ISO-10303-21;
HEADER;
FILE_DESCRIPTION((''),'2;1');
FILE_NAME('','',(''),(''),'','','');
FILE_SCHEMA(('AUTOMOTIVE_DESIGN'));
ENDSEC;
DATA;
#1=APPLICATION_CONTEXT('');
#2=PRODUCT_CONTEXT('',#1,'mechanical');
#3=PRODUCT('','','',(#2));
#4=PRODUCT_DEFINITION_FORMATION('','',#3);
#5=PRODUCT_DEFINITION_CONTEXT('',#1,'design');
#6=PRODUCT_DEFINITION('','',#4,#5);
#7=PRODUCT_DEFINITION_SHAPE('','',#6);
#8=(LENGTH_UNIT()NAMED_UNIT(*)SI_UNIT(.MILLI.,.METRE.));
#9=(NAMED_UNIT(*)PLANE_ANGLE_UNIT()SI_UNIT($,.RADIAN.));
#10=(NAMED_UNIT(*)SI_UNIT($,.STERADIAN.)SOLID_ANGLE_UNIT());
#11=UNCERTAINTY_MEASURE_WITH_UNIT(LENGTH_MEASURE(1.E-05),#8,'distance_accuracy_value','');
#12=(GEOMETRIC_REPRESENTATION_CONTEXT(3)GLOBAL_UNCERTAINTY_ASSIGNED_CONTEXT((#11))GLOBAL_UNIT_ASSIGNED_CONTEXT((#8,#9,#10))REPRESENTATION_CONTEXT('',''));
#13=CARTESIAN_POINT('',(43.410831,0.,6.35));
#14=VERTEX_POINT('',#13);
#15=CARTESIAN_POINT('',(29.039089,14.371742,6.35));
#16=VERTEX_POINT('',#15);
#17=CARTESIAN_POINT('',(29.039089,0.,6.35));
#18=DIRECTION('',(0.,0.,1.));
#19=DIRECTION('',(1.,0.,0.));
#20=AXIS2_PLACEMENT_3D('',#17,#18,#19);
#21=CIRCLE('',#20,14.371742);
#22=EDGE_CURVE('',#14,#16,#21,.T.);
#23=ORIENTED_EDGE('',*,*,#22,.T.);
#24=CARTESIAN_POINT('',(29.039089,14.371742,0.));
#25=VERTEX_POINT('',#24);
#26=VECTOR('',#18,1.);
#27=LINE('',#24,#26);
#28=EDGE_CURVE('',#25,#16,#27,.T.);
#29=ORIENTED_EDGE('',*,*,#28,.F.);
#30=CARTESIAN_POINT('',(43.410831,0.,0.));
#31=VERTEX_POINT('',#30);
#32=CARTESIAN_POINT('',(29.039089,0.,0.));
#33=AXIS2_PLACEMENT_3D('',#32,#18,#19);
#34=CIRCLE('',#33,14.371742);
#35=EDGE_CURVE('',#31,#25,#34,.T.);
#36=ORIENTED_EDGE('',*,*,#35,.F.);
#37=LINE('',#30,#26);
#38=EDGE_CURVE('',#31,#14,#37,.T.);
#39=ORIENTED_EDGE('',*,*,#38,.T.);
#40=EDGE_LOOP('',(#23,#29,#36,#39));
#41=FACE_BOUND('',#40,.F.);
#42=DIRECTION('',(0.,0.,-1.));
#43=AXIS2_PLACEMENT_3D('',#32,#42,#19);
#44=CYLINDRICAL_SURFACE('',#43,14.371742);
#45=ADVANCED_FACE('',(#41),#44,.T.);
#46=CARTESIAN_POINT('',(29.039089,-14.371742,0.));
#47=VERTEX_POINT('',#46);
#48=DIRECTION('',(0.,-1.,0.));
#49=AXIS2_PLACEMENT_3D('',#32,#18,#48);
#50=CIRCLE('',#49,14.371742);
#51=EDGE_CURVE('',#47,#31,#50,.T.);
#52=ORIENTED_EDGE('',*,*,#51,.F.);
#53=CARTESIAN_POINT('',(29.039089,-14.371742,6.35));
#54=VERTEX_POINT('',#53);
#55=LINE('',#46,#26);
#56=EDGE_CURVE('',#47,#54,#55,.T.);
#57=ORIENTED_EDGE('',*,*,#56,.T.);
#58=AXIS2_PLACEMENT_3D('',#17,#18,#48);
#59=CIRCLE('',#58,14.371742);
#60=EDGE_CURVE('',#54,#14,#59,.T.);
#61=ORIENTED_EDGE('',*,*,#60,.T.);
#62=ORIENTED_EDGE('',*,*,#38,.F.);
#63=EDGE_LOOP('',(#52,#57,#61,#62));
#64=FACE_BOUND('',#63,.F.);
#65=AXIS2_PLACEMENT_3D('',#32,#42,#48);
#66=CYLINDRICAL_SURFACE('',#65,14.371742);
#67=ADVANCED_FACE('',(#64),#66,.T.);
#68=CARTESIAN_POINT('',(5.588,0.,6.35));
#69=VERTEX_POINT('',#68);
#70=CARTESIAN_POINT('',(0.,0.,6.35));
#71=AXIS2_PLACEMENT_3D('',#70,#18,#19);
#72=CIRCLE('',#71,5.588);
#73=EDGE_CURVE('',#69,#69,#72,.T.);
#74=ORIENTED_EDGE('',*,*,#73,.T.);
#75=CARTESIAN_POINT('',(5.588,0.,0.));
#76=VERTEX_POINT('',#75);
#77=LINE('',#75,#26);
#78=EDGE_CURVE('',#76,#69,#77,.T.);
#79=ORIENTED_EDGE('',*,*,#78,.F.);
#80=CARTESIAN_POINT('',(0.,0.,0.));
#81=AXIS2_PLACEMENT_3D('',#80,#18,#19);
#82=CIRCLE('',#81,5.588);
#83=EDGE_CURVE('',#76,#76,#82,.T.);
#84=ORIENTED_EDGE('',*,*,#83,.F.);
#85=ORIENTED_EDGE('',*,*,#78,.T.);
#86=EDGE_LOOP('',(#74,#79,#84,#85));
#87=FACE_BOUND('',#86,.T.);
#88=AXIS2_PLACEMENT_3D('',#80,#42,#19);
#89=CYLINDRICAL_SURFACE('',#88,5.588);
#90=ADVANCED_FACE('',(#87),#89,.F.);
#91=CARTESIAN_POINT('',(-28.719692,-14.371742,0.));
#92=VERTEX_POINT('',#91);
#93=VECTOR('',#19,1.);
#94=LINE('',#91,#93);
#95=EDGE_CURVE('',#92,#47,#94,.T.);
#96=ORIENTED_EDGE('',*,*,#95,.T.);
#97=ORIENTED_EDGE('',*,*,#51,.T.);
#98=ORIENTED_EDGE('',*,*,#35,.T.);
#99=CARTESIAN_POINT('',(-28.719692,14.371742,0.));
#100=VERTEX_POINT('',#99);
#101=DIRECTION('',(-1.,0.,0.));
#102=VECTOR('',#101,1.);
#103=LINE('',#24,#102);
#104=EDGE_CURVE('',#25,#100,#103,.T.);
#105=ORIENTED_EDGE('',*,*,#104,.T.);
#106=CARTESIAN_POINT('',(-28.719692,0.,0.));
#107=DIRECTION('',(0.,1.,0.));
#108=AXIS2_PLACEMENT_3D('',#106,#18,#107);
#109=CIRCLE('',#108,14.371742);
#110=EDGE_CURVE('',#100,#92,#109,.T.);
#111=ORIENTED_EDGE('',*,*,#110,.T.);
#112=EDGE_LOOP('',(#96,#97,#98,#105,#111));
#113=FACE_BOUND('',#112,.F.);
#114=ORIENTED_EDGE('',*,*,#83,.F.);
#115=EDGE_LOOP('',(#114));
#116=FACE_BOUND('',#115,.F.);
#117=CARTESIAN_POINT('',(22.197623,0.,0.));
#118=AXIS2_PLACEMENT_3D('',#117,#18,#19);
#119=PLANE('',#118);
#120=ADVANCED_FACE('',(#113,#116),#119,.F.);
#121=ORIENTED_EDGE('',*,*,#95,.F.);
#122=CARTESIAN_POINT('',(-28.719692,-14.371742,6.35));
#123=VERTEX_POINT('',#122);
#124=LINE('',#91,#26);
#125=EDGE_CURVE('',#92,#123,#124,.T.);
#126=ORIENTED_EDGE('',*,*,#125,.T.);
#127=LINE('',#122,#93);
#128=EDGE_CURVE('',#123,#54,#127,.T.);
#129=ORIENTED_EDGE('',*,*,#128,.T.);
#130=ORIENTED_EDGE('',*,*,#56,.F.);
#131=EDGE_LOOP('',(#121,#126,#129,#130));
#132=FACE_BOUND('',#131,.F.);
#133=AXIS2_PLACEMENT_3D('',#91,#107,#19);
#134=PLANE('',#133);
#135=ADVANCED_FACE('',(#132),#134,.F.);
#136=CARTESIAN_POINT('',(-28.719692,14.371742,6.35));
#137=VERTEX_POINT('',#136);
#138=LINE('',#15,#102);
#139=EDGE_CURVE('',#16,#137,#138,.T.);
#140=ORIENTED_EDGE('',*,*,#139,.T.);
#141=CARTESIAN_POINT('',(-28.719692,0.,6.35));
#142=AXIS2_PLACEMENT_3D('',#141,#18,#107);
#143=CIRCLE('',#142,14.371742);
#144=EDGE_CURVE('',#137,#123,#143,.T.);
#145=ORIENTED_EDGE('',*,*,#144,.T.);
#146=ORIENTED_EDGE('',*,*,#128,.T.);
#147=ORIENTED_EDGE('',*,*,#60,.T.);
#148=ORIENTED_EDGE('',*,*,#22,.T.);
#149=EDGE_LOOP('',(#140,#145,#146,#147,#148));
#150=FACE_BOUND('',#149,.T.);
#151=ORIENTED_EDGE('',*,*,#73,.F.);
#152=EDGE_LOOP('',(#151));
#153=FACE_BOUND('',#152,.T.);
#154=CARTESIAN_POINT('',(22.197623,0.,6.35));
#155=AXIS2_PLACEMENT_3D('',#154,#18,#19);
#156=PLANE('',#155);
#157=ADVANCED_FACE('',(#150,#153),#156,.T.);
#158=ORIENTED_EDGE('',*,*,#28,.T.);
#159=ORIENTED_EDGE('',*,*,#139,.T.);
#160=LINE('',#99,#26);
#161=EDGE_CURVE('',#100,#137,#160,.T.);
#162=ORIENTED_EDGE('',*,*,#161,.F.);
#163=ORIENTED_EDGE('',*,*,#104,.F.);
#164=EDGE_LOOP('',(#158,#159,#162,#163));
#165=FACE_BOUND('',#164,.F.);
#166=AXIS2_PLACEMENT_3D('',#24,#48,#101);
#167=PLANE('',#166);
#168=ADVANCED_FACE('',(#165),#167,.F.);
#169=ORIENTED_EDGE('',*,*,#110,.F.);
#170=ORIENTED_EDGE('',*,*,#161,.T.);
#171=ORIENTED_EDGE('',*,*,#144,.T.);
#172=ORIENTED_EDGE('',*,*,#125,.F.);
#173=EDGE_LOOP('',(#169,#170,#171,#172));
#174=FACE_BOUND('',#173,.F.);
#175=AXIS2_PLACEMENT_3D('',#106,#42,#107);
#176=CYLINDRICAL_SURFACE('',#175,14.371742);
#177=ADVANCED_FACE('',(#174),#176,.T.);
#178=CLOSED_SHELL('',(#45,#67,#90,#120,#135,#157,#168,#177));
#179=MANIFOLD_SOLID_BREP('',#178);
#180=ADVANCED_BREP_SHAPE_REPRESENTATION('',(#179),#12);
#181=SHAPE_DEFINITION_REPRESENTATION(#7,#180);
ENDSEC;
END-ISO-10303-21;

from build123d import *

# Parameters (mm, degrees)
F0_R     = 5.588
F1_DEPTH = 6.35


with BuildPart() as f1:
    # F0 (on Top) → F1 (new body)
    with BuildSketch(Plane.XY):
        with BuildLine():
            Line((29.0390886366, 10.9855), (29.0390886366, 14.3717424944))
            ThreePointArc((29.0390886366, 14.3717424944), (14.6673461422, 0), (29.0390886366, -14.3717424944))
            Line((29.0390886366, -14.3717424944), (29.0390886366, -10.9855))
            ThreePointArc((29.0390886366, -10.9855), (18.0535886366, 0), (29.0390886366, 10.9855))
        make_face()
        with BuildLine():
            ThreePointArc((40.0245886366, 0), (36.8070101814, 7.7679215447), (29.0390886366, 10.9855))
            Line((29.0390886366, 10.9855), (29.0390886366, -10.9855))
            ThreePointArc((29.0390886366, -10.9855), (36.8070101814, -7.7679215447), (40.0245886366, 0))
        make_face()
        with BuildLine():
            ThreePointArc((43.410831131, 0), (39.2014452119, 10.1623565753), (29.0390886366, 14.3717424944))
            Line((29.0390886366, 14.3717424944), (29.0390886366, 10.9855))
            ThreePointArc((29.0390886366, 10.9855), (36.8070101814, 7.7679215447), (40.0245886366, 0))
            ThreePointArc((40.0245886366, 0), (36.8070101814, -7.7679215447), (29.0390886366, -10.9855))
            Line((29.0390886366, -10.9855), (29.0390886366, -14.3717424944))
            ThreePointArc((29.0390886366, -14.3717424944), (39.2014452119, -10.1623565753), (43.410831131, 0))
        make_face()
        with BuildLine():
            Line((29.0390886366, -10.9855), (29.0390886366, 10.9855))
            ThreePointArc((29.0390886366, 10.9855), (18.0535886366, 0), (29.0390886366, -10.9855))
        make_face()
        with BuildLine():
            ThreePointArc((-14.3479490653, 0), (-18.5573349844, 10.1623565753), (-28.7196915597, 14.3717424944))
            Line((-28.7196915597, 14.3717424944), (-28.7196915597, 10.9855))
            ThreePointArc((-28.7196915597, 10.9855), (-20.9517700149, 7.7679215447), (-17.7341915597, 0))
            ThreePointArc((-17.7341915597, 0), (-20.9517700149, -7.7679215447), (-28.7196915597, -10.9855))
            Line((-28.7196915597, -10.9855), (-28.7196915597, -14.3717424944))
            ThreePointArc((-28.7196915597, -14.3717424944), (-18.5573349844, -10.1623565753), (-14.3479490653, 0))
        make_face()
        with BuildLine():
            Line((-28.7196915597, -10.9855), (-28.7196915597, 10.9855))
            ThreePointArc((-28.7196915597, 10.9855), (-39.7051915597, 0), (-28.7196915597, -10.9855))
        make_face()
        with BuildLine():
            Line((-28.7196915597, 10.9855), (-28.7196915597, 14.3717424944))
            ThreePointArc((-28.7196915597, 14.3717424944), (-43.0914340541, 0), (-28.7196915597, -14.3717424944))
            Line((-28.7196915597, -14.3717424944), (-28.7196915597, -10.9855))
            ThreePointArc((-28.7196915597, -10.9855), (-39.7051915597, 0), (-28.7196915597, 10.9855))
        make_face()
        with BuildLine():
            ThreePointArc((-17.7341915597, 0), (-20.9517700149, 7.7679215447), (-28.7196915597, 10.9855))
            Line((-28.7196915597, 10.9855), (-28.7196915597, -10.9855))
            ThreePointArc((-28.7196915597, -10.9855), (-20.9517700149, -7.7679215447), (-17.7341915597, 0))
        make_face()
        with BuildLine():
            Line((29.0390886366, 14.3717424944), (-28.7196915597, 14.3717424944))
            ThreePointArc((-28.7196915597, 14.3717424944), (-18.5573349844, 10.1623565753), (-14.3479490653, 0))
            ThreePointArc((-14.3479490653, 0), (-18.5573349844, -10.1623565753), (-28.7196915597, -14.3717424944))
            Line((-28.7196915597, -14.3717424944), (29.0390886366, -14.3717424944))
            ThreePointArc((29.0390886366, -14.3717424944), (14.6673461422, 0), (29.0390886366, 14.3717424944))
        make_face()
        Circle(F0_R, mode=Mode.SUBTRACT)
    extrude(amount=F1_DEPTH)


solid = f1.part
